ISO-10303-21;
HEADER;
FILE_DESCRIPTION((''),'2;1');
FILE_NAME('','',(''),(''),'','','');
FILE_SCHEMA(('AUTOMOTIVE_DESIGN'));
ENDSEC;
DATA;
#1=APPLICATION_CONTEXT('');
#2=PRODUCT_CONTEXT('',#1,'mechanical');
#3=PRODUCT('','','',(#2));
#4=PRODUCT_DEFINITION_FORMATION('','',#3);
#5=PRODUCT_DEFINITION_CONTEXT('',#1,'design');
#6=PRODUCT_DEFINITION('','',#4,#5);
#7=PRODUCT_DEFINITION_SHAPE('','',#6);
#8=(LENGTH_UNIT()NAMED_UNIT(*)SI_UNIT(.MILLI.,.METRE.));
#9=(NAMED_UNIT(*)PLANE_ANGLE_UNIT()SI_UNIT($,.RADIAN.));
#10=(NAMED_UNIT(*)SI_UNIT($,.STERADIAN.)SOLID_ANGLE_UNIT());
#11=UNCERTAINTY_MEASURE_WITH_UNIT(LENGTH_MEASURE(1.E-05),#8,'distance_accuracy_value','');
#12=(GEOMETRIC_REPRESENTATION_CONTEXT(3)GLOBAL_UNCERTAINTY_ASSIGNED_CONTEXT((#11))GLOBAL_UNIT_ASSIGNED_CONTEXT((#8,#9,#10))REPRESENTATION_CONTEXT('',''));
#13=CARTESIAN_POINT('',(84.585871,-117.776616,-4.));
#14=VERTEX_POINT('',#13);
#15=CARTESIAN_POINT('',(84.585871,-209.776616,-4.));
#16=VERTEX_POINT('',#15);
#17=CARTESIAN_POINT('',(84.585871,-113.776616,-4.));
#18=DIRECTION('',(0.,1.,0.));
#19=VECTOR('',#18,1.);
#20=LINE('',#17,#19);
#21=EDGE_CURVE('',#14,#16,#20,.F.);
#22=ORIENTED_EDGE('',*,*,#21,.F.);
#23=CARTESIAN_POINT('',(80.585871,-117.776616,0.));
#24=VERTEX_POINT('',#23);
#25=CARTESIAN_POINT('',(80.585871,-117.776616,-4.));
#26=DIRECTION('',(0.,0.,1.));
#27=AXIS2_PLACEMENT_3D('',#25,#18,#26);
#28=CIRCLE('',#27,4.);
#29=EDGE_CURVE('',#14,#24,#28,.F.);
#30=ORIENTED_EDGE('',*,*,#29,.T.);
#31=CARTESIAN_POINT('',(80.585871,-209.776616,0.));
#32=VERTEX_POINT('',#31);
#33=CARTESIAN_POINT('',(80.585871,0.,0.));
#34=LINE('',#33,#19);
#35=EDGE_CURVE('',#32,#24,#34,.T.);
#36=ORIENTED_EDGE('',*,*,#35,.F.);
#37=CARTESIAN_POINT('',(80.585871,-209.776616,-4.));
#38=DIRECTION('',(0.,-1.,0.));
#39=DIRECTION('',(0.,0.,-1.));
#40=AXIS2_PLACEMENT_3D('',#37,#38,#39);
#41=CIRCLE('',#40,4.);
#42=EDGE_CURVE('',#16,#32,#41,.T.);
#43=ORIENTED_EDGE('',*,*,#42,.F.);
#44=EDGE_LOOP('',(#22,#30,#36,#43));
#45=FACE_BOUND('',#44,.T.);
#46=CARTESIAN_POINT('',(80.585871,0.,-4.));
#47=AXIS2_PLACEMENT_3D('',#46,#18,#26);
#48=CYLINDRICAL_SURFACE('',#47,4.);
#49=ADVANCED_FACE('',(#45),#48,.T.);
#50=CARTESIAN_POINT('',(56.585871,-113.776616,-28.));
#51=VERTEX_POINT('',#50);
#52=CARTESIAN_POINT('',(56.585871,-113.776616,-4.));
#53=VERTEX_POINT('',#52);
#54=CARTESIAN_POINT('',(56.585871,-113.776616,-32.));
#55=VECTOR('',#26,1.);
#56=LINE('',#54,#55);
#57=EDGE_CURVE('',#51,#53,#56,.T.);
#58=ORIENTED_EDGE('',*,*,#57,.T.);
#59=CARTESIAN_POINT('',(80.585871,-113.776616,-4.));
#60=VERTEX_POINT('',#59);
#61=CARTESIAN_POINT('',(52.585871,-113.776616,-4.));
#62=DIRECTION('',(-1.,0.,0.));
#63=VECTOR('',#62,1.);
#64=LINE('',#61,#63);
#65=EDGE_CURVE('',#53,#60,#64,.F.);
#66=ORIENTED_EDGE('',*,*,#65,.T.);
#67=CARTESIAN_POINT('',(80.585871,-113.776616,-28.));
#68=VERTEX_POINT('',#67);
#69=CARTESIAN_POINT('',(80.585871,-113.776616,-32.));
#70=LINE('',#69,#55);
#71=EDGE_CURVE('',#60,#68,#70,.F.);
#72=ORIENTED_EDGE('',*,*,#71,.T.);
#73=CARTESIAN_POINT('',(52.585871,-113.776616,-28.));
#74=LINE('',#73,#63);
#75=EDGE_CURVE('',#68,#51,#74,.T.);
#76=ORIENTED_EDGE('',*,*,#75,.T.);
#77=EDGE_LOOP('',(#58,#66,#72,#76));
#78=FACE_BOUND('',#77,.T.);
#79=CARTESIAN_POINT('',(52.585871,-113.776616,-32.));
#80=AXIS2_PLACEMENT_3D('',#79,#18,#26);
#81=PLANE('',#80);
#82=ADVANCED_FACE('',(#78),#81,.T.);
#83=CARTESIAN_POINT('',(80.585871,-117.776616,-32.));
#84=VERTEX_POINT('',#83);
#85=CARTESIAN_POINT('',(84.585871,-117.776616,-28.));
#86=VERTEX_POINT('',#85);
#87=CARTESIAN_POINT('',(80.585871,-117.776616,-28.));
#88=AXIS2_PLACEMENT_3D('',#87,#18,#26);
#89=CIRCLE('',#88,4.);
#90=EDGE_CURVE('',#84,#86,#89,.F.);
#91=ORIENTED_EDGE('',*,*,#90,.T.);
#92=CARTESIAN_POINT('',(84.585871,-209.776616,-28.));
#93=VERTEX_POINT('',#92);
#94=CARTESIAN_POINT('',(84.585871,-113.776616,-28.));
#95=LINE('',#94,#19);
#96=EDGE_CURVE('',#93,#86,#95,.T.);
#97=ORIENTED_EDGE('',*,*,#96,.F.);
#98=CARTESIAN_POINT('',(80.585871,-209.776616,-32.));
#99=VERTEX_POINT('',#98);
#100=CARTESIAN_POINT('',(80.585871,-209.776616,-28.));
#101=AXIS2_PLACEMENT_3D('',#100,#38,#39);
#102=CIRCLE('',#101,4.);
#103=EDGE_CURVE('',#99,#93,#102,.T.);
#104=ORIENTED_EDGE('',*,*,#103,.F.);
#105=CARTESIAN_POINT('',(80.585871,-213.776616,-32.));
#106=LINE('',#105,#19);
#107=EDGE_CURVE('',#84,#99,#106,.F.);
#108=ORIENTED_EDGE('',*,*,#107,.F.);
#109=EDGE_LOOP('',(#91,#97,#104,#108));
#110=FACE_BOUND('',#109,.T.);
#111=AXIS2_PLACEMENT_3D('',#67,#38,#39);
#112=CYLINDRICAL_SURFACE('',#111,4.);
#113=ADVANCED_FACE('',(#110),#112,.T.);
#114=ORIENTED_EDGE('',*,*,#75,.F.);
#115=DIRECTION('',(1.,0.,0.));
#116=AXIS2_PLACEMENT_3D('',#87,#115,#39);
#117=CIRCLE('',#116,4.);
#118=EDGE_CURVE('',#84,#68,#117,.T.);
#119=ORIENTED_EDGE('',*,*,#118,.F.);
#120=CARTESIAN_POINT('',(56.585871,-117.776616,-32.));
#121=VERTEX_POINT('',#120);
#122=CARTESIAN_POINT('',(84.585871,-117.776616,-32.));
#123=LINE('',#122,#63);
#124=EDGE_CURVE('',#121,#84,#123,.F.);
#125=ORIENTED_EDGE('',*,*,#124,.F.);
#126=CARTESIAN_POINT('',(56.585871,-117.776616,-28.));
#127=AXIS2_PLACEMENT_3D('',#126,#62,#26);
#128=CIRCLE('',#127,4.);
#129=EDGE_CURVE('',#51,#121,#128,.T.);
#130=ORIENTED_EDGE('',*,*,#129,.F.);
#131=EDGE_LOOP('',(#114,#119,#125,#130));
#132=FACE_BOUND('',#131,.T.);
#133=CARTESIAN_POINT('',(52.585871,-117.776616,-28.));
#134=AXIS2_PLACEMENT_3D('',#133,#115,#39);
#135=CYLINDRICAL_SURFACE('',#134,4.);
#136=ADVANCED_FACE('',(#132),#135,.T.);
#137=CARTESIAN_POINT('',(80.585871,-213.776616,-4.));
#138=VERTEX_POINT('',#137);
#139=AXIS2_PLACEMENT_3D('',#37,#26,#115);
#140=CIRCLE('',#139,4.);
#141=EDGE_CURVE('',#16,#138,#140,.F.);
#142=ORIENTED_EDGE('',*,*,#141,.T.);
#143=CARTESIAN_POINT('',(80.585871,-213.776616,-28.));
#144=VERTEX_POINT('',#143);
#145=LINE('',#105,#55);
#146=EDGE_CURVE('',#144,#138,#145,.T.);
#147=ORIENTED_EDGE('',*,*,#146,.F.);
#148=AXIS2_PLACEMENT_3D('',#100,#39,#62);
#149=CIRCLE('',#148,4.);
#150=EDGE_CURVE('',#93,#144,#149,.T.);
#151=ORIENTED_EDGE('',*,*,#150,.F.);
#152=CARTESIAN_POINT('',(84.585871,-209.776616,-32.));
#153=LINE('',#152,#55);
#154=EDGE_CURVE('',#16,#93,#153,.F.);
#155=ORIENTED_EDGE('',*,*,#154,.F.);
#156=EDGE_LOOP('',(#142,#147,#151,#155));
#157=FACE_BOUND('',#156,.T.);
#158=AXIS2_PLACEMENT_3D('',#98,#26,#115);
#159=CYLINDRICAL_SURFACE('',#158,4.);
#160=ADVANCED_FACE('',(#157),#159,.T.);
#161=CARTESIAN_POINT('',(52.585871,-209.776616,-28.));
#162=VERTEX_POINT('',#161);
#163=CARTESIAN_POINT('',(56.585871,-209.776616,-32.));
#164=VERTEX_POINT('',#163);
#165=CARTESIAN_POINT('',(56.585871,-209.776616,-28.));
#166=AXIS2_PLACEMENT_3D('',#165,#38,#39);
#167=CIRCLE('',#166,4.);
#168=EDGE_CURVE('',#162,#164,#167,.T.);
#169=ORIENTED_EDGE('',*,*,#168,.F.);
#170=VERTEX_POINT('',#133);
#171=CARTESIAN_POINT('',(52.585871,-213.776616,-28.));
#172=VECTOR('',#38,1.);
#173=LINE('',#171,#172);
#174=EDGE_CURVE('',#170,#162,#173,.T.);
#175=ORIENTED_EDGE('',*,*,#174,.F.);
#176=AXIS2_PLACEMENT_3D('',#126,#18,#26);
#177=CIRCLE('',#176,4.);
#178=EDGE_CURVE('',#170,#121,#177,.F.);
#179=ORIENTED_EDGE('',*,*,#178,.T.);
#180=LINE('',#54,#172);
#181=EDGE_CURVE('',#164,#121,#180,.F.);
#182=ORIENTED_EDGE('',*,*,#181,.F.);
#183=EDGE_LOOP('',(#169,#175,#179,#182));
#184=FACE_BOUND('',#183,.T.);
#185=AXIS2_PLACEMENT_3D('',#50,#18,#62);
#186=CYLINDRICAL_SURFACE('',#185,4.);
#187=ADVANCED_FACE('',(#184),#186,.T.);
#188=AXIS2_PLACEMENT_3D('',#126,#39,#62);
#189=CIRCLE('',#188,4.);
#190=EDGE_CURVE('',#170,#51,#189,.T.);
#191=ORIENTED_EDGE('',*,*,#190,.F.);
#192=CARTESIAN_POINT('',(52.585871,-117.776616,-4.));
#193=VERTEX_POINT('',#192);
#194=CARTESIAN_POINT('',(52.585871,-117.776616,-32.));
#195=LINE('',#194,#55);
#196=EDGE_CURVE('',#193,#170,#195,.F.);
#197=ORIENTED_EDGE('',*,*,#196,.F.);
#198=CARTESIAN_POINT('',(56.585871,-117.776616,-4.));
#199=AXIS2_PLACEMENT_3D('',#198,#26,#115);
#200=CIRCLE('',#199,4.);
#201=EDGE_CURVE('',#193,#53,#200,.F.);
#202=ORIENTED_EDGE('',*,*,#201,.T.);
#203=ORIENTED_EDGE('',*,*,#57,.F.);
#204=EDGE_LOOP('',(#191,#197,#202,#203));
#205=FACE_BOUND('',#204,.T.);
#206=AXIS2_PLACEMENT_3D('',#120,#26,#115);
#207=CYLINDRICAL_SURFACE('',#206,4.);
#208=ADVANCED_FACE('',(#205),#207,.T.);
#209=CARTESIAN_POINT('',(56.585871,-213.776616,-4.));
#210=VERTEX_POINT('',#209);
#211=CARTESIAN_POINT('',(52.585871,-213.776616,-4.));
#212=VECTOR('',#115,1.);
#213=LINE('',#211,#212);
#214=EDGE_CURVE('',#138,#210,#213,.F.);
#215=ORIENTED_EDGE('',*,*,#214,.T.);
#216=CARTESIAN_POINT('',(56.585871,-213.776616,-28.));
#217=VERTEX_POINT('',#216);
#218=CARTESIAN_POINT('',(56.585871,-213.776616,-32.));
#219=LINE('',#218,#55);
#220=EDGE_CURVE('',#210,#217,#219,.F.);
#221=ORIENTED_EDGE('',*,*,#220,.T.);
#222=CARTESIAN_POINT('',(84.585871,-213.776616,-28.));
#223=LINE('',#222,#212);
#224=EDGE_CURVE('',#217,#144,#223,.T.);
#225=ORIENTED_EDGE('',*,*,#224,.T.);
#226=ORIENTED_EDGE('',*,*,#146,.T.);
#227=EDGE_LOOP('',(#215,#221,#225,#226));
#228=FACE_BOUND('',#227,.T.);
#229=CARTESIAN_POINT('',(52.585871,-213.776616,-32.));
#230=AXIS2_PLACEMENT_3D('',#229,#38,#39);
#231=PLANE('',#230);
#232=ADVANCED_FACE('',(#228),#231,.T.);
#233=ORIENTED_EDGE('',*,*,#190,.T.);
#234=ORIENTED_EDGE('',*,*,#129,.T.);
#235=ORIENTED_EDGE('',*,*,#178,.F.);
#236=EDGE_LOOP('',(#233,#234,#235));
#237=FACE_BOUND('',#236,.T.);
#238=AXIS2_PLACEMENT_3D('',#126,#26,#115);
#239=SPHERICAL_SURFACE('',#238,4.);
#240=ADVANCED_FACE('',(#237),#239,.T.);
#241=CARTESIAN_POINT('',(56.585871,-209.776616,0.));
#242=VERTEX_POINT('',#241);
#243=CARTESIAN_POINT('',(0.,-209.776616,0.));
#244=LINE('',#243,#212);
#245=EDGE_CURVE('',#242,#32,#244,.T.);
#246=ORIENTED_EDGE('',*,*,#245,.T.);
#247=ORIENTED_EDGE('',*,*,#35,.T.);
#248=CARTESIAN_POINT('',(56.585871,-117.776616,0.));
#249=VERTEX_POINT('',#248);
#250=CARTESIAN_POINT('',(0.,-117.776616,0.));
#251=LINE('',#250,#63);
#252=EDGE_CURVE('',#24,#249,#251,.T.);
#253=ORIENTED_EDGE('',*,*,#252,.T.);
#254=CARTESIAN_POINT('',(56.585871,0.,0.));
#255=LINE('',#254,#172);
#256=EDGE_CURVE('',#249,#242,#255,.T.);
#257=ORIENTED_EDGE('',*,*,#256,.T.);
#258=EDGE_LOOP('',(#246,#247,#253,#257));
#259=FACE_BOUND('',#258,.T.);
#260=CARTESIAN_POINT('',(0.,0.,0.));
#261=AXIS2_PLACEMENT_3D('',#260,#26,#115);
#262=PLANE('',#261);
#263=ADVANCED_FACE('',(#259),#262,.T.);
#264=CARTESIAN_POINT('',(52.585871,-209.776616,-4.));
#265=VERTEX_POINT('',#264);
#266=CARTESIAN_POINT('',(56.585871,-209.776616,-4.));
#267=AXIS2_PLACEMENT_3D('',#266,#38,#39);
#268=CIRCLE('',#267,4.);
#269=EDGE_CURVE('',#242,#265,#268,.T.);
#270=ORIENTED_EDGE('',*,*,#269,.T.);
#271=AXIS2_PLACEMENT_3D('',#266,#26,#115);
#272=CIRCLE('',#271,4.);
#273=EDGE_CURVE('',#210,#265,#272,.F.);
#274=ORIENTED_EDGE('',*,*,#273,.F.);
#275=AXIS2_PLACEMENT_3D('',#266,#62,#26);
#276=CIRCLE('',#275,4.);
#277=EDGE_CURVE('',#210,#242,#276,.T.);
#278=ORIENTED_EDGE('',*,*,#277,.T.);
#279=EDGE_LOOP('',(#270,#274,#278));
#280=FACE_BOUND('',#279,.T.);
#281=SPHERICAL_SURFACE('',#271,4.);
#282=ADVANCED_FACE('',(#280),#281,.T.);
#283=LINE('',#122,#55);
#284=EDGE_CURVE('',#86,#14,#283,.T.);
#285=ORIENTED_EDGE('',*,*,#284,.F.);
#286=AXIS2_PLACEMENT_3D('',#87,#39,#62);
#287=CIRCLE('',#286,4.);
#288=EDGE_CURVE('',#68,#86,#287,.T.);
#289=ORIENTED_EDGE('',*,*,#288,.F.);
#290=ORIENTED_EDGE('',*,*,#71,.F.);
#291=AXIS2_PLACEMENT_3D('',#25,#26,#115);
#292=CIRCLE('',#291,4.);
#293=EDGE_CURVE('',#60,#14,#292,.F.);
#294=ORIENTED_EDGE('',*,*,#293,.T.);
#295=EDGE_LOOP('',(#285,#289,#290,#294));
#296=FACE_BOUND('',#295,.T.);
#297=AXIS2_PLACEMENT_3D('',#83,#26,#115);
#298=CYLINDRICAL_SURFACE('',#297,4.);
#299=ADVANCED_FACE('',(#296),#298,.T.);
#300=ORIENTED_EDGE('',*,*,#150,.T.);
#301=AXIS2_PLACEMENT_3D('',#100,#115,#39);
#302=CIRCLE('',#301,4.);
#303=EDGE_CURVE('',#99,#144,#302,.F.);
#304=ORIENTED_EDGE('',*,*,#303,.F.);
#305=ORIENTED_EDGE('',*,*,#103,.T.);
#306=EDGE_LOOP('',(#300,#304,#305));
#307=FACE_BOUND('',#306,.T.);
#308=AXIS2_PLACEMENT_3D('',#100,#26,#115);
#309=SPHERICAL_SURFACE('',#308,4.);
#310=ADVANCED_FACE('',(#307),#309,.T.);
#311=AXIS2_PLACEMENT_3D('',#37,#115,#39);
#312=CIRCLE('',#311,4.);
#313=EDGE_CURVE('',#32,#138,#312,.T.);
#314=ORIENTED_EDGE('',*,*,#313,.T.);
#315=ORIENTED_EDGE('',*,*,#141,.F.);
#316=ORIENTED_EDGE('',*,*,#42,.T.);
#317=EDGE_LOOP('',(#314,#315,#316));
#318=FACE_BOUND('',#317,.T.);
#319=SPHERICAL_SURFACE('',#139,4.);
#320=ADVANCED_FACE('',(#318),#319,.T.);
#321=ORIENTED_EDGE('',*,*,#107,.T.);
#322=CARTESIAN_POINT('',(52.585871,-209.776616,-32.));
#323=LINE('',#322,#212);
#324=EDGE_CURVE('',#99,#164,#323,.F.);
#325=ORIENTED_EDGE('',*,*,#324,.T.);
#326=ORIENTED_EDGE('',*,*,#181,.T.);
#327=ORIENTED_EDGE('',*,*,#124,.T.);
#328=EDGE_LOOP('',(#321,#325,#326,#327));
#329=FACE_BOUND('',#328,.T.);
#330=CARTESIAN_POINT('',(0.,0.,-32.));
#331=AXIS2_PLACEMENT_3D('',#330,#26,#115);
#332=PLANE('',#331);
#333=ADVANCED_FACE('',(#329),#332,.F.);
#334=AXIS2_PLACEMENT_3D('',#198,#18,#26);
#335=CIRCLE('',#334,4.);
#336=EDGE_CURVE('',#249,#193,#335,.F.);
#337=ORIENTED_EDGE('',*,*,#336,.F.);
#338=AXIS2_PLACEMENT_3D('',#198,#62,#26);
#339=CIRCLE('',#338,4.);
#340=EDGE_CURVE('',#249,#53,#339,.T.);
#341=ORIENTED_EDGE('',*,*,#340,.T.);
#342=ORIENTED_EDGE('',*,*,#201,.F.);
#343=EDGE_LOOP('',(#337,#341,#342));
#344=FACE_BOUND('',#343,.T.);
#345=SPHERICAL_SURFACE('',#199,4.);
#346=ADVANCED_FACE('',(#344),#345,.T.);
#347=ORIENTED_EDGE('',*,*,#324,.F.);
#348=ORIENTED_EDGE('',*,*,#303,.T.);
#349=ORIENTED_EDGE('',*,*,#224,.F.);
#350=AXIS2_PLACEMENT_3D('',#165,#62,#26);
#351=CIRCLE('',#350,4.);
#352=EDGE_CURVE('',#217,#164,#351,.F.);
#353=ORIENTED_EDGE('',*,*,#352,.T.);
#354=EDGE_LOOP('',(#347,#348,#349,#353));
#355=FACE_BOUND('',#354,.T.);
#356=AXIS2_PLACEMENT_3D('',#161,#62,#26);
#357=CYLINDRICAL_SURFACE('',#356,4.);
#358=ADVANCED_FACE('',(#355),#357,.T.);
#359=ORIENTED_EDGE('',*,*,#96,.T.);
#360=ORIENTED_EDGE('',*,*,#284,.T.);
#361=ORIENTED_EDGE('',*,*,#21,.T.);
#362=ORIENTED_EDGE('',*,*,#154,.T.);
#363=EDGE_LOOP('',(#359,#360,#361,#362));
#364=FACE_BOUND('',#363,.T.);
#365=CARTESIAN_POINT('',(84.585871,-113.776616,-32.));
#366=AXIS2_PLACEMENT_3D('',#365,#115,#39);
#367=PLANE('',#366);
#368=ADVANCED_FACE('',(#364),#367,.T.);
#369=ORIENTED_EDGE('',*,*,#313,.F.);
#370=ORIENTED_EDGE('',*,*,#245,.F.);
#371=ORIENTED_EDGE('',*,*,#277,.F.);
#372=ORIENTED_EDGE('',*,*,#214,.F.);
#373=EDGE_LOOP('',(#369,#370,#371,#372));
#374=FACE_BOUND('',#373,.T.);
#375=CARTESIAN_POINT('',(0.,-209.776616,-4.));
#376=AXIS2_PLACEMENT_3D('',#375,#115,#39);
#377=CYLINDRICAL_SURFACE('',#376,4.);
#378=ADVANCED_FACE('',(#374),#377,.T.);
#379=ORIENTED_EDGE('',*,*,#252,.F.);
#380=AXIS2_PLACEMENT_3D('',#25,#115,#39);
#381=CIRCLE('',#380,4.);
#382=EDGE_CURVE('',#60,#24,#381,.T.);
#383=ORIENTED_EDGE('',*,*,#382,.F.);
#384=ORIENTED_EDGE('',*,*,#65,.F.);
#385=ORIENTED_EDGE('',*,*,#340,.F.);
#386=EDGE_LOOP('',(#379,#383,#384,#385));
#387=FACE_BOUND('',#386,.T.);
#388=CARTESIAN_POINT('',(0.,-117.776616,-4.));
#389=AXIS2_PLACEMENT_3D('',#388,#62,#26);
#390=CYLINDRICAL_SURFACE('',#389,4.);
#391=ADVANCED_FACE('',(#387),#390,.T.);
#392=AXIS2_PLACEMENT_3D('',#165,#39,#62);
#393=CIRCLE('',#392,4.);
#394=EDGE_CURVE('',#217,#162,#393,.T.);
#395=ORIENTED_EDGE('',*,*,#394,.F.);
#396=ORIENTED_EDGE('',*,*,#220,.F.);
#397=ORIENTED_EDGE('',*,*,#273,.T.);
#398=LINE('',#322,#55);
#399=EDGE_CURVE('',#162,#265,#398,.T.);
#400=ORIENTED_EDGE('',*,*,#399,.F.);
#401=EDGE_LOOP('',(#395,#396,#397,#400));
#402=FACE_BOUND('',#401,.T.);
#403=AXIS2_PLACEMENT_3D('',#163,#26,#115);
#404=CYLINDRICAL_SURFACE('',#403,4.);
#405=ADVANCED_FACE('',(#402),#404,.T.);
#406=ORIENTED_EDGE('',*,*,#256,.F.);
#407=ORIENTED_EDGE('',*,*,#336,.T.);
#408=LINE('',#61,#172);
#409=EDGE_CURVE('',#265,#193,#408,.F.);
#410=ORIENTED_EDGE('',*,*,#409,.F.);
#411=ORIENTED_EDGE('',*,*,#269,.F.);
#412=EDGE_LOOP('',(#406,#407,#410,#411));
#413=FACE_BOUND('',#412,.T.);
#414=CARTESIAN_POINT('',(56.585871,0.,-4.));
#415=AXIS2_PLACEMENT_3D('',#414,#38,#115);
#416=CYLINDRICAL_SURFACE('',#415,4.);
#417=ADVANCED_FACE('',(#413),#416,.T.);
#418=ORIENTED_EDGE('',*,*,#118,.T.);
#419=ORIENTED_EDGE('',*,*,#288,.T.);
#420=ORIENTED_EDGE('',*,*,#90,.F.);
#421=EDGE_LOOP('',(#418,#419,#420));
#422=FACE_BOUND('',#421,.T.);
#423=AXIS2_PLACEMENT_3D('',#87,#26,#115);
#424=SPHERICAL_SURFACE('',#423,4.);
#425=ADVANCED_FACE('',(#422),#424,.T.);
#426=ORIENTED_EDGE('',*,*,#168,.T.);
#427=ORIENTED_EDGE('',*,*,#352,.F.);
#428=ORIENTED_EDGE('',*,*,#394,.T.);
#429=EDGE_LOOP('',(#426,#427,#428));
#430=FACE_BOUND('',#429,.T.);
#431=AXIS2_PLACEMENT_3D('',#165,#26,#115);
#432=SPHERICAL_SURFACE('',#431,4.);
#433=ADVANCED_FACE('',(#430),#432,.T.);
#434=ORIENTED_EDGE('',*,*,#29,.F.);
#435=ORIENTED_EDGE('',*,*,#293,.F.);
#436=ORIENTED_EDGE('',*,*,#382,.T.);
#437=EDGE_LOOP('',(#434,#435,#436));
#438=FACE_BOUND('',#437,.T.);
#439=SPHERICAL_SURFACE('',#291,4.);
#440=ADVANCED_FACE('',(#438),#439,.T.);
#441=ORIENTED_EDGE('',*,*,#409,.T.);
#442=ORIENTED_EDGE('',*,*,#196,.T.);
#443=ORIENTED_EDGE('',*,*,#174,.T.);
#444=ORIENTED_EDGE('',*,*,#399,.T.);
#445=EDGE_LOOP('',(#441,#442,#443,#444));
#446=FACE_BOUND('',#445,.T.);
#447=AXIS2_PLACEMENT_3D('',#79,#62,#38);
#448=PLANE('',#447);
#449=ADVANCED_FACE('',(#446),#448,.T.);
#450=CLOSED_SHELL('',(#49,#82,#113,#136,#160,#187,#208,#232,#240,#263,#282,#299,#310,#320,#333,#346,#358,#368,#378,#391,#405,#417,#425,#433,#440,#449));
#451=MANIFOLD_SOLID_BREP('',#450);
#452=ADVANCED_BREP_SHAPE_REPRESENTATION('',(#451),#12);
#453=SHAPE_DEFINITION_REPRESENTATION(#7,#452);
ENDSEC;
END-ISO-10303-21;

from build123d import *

# Parameters (mm, degrees)
SKETCH1_W           = 32
SKETCH1_H           = 100
BOSS_EXTRUDE1_DEPTH = 32
FILLET1_R           = 4


with BuildPart() as part:
    # Sketch1 → Boss-Extrude1 (new body)
    with BuildSketch(Plane.XY):
        with Locations((68.585871194, -163.776616404)):
            Rectangle(SKETCH1_W, SKETCH1_H)
    extrude(amount=-BOSS_EXTRUDE1_DEPTH)

    # Fillet1
    fillet1_edges = [part.edges().sort_by_distance(p)[0] for p in [
        (84.585871194, -163.776616404, -32),
        (68.585871194, -113.776616404, -32),
        (52.585871194, -163.776616404, -32),
        (68.585871194, -113.776616404, 0),
        (84.585871194, -163.776616404, 0),
        (68.585871194, -213.776616404, 0),
        (52.585871194, -163.776616404, 0),
        (68.585871194, -213.776616404, -32),
        (52.585871194, -113.776616404, -16),
        (84.585871194, -113.776616404, -16),
        (84.585871194, -213.776616404, -16),
        (52.585871194, -213.776616404, -16),
    ]]
    fillet(fillet1_edges, radius=FILLET1_R)


solid = part.part
